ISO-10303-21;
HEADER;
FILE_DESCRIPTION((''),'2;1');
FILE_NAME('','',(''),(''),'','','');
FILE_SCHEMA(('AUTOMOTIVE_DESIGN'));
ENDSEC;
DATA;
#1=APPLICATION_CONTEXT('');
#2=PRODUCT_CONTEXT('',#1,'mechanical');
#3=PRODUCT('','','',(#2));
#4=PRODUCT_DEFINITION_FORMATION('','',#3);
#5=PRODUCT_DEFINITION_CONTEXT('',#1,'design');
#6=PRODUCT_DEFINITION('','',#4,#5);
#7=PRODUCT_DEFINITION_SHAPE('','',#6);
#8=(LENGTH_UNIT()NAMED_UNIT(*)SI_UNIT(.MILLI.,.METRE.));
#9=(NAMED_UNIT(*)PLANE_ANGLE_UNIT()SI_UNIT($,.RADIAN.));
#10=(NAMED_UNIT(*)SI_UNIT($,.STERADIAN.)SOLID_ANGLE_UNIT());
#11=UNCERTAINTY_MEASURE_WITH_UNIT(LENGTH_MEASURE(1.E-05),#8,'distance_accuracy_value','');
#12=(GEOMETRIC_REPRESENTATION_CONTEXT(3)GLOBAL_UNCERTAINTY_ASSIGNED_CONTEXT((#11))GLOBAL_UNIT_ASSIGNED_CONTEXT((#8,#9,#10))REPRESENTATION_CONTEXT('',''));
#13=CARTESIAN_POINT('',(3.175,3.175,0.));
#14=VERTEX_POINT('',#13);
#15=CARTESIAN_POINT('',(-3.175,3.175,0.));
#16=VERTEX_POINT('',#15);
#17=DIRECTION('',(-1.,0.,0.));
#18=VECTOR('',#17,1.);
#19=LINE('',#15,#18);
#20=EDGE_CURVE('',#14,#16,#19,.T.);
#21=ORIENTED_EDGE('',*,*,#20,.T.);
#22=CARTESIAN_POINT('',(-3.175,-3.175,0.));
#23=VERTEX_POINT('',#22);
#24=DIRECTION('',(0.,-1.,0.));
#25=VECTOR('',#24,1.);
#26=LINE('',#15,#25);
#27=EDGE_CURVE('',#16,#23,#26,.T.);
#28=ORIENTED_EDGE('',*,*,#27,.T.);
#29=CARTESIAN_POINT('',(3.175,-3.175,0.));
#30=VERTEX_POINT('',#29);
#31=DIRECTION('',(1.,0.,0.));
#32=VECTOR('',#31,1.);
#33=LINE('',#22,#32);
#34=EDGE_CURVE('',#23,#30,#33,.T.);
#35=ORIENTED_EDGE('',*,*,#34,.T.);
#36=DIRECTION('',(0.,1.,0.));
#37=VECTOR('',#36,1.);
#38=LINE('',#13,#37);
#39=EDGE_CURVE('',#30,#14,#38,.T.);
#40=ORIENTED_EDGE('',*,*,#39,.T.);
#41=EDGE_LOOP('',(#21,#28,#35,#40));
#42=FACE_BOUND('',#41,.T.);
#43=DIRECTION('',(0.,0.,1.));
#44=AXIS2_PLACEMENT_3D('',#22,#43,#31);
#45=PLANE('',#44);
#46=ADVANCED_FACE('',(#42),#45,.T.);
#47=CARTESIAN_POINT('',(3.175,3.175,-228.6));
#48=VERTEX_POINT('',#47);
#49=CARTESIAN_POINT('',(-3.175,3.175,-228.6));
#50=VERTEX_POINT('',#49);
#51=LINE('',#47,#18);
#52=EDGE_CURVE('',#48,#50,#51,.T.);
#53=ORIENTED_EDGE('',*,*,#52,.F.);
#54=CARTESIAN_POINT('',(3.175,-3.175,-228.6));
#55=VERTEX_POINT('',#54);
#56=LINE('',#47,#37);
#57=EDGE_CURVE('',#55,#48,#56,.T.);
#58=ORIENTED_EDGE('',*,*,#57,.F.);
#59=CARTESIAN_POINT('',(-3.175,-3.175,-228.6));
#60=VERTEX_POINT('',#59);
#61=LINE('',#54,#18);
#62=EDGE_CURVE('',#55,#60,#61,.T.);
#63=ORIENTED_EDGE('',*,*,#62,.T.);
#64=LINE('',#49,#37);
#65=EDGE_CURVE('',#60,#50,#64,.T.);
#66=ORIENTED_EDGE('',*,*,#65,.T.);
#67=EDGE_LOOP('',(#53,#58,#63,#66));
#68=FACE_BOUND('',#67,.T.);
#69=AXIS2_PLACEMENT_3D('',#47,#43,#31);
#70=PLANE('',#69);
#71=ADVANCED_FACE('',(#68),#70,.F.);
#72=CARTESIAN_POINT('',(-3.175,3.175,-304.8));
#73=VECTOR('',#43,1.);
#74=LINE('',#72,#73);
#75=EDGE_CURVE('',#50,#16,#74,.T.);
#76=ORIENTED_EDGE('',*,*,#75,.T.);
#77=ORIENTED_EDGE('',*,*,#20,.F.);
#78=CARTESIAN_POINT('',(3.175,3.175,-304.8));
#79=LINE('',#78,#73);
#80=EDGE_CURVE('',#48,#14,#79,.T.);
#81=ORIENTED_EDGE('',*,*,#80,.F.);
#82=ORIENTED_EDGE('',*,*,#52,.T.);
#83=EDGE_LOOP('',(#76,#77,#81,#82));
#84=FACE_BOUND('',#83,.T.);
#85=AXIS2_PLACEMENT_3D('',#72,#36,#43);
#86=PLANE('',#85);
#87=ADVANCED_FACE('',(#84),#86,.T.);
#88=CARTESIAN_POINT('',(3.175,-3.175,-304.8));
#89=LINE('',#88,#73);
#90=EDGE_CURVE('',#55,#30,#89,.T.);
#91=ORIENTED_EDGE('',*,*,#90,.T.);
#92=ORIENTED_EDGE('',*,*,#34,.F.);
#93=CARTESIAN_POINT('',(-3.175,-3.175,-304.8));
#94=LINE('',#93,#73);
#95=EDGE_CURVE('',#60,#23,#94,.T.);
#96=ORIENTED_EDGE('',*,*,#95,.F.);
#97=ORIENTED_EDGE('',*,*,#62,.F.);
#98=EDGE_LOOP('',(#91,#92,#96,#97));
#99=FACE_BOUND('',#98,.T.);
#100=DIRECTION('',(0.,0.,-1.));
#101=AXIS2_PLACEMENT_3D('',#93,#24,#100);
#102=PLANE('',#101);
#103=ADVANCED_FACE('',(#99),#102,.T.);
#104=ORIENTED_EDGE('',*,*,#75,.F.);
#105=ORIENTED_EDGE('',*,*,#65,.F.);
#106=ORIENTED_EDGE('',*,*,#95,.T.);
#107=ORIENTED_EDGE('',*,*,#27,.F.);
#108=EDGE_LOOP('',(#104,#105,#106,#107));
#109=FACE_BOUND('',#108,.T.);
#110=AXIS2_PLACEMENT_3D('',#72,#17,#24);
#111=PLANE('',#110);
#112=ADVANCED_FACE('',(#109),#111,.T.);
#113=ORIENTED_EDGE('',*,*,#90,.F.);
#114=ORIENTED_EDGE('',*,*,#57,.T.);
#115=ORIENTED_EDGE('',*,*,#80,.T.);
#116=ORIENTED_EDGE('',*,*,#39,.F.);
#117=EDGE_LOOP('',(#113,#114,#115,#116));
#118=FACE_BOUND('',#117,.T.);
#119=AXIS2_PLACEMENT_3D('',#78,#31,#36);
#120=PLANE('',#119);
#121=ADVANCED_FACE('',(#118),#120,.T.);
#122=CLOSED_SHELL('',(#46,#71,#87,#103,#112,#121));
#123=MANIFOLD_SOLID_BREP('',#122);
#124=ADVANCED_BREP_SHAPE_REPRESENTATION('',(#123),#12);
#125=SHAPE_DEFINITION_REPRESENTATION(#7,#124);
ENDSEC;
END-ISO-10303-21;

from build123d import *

# Parameters (mm, degrees)
SKETCH1_W          = 6.35
SKETCH1_H          = 6.35
EXTRUDE1_DEPTH     = 304.8
SKETCH2_W          = 76.2
SKETCH2_H          = 6.35
CUT_EXTRUDE1_DEPTH = 7.35


with BuildPart() as part:
    # Sketch1 → Extrude1 (new body)
    with BuildSketch(Plane.XY):
        Rectangle(SKETCH1_W, SKETCH1_H)
    extrude(amount=-EXTRUDE1_DEPTH)

    # Sketch2 → Cut-Extrude1 (cut, through all)
    with BuildSketch(Plane.ZY.offset(3.175)):
        with Locations((-266.7, 0)):
            Rectangle(SKETCH2_W, SKETCH2_H)
    extrude(amount=-CUT_EXTRUDE1_DEPTH, mode=Mode.SUBTRACT)


solid = part.part
